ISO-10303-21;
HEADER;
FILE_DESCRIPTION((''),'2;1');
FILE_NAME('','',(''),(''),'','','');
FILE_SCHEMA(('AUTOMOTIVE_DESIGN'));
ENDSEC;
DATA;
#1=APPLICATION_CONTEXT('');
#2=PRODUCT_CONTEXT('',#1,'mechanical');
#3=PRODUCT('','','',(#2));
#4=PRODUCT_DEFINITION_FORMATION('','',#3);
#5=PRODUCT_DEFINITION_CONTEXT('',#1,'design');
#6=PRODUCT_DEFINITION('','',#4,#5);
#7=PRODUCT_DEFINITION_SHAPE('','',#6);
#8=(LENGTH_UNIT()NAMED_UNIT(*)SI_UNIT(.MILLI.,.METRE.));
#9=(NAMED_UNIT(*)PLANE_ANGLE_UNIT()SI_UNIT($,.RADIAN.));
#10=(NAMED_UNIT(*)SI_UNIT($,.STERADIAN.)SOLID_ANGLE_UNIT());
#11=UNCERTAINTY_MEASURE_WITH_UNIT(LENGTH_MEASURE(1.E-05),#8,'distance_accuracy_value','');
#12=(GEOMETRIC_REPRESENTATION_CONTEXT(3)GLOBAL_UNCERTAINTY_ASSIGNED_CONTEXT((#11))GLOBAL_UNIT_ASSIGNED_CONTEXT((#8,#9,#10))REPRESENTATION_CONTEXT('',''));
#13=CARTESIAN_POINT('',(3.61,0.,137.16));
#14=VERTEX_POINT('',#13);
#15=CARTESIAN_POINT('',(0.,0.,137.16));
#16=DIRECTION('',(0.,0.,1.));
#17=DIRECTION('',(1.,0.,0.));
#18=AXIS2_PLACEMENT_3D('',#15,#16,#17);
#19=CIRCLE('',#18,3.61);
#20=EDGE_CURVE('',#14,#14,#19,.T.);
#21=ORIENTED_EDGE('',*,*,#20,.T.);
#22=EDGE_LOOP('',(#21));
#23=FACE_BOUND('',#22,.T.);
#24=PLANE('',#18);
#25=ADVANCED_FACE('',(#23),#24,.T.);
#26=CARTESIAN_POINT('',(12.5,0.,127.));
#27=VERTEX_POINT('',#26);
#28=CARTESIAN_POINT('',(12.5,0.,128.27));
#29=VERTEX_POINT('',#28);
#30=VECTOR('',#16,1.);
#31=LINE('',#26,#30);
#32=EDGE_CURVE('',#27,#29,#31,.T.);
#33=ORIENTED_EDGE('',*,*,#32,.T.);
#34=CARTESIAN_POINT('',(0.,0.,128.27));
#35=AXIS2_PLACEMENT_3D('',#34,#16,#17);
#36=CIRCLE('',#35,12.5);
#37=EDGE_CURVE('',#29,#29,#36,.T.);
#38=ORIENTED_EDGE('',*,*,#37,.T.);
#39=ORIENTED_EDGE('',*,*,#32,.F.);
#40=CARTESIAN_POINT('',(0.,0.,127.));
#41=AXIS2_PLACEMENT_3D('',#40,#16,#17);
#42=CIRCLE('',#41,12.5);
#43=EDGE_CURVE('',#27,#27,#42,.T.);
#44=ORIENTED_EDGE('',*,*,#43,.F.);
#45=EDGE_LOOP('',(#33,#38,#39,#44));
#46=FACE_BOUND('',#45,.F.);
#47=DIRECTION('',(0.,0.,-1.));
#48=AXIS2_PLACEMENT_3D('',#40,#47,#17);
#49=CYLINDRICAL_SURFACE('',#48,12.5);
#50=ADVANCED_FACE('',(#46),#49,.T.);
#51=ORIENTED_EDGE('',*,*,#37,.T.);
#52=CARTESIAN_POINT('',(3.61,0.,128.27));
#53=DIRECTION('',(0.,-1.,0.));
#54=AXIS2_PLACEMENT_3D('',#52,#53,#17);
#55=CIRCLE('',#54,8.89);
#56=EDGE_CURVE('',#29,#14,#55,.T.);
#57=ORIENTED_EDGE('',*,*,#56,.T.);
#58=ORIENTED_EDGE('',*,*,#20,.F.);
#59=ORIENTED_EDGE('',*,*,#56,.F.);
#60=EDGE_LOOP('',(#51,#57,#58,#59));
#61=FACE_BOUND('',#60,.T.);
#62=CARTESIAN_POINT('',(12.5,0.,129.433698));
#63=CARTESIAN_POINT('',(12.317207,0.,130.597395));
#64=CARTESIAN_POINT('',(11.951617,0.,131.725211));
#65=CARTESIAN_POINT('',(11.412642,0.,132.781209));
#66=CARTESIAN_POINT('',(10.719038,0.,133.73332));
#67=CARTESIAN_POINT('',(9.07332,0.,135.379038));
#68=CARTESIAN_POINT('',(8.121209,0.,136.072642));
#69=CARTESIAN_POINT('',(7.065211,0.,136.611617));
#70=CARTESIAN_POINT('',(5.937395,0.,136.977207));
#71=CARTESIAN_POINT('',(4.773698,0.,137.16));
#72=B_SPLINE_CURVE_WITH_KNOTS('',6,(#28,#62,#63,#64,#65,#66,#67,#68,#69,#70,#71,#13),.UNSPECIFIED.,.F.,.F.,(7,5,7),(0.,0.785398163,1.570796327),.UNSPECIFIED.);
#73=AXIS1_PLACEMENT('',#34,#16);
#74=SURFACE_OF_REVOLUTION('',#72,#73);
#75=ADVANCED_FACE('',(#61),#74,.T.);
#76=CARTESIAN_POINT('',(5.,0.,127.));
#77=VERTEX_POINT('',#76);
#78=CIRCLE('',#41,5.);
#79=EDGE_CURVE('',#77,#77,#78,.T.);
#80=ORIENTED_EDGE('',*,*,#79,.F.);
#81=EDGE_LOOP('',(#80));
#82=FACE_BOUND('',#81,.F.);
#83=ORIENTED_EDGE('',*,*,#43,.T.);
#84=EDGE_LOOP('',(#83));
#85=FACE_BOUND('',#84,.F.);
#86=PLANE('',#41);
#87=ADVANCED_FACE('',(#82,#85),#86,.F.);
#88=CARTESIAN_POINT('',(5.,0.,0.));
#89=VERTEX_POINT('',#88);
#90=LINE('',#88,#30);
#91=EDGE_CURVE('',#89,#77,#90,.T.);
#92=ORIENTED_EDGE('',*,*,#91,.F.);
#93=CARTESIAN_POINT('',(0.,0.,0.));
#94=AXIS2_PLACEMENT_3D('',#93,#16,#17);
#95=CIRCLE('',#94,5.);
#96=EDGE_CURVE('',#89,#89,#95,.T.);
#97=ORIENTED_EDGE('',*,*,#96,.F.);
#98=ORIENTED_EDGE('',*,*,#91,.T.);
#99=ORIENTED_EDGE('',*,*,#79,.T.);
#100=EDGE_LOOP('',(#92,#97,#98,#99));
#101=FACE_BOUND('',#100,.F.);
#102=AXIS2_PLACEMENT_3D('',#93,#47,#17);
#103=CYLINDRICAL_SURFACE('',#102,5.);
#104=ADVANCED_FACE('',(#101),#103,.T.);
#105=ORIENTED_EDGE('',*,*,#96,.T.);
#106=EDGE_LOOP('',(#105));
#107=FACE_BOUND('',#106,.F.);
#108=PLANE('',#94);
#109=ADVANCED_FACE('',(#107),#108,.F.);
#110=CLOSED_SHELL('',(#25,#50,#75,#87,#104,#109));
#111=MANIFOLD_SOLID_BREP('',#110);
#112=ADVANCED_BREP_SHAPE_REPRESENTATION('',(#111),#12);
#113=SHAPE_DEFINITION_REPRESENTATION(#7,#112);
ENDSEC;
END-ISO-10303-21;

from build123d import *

# Parameters (mm, degrees)
F0_R     = 5
F1_DEPTH = 127
F2_R     = 12.5
F2_R_2   = 5
F3_DEPTH = 10.16
F4_R     = 8.89


with BuildPart() as f1:
    # F0 (on Top) → F1 (new body)
    with BuildSketch(Plane.XY):
        Circle(F0_R)
    extrude(amount=F1_DEPTH)

    # F2 (on face) → F3 (join)
    with BuildSketch(Plane.XY.offset(127)):
        Circle(F2_R)
        Circle(F2_R_2, mode=Mode.SUBTRACT)
        Circle(F2_R_2)
    extrude(amount=F3_DEPTH)

    # F4
    f4_edges = [f1.edges().sort_by_distance(p)[0] for p in [
        (-12.5, 0, 137.16),
    ]]
    fillet(f4_edges, radius=F4_R)


solid = f1.part
